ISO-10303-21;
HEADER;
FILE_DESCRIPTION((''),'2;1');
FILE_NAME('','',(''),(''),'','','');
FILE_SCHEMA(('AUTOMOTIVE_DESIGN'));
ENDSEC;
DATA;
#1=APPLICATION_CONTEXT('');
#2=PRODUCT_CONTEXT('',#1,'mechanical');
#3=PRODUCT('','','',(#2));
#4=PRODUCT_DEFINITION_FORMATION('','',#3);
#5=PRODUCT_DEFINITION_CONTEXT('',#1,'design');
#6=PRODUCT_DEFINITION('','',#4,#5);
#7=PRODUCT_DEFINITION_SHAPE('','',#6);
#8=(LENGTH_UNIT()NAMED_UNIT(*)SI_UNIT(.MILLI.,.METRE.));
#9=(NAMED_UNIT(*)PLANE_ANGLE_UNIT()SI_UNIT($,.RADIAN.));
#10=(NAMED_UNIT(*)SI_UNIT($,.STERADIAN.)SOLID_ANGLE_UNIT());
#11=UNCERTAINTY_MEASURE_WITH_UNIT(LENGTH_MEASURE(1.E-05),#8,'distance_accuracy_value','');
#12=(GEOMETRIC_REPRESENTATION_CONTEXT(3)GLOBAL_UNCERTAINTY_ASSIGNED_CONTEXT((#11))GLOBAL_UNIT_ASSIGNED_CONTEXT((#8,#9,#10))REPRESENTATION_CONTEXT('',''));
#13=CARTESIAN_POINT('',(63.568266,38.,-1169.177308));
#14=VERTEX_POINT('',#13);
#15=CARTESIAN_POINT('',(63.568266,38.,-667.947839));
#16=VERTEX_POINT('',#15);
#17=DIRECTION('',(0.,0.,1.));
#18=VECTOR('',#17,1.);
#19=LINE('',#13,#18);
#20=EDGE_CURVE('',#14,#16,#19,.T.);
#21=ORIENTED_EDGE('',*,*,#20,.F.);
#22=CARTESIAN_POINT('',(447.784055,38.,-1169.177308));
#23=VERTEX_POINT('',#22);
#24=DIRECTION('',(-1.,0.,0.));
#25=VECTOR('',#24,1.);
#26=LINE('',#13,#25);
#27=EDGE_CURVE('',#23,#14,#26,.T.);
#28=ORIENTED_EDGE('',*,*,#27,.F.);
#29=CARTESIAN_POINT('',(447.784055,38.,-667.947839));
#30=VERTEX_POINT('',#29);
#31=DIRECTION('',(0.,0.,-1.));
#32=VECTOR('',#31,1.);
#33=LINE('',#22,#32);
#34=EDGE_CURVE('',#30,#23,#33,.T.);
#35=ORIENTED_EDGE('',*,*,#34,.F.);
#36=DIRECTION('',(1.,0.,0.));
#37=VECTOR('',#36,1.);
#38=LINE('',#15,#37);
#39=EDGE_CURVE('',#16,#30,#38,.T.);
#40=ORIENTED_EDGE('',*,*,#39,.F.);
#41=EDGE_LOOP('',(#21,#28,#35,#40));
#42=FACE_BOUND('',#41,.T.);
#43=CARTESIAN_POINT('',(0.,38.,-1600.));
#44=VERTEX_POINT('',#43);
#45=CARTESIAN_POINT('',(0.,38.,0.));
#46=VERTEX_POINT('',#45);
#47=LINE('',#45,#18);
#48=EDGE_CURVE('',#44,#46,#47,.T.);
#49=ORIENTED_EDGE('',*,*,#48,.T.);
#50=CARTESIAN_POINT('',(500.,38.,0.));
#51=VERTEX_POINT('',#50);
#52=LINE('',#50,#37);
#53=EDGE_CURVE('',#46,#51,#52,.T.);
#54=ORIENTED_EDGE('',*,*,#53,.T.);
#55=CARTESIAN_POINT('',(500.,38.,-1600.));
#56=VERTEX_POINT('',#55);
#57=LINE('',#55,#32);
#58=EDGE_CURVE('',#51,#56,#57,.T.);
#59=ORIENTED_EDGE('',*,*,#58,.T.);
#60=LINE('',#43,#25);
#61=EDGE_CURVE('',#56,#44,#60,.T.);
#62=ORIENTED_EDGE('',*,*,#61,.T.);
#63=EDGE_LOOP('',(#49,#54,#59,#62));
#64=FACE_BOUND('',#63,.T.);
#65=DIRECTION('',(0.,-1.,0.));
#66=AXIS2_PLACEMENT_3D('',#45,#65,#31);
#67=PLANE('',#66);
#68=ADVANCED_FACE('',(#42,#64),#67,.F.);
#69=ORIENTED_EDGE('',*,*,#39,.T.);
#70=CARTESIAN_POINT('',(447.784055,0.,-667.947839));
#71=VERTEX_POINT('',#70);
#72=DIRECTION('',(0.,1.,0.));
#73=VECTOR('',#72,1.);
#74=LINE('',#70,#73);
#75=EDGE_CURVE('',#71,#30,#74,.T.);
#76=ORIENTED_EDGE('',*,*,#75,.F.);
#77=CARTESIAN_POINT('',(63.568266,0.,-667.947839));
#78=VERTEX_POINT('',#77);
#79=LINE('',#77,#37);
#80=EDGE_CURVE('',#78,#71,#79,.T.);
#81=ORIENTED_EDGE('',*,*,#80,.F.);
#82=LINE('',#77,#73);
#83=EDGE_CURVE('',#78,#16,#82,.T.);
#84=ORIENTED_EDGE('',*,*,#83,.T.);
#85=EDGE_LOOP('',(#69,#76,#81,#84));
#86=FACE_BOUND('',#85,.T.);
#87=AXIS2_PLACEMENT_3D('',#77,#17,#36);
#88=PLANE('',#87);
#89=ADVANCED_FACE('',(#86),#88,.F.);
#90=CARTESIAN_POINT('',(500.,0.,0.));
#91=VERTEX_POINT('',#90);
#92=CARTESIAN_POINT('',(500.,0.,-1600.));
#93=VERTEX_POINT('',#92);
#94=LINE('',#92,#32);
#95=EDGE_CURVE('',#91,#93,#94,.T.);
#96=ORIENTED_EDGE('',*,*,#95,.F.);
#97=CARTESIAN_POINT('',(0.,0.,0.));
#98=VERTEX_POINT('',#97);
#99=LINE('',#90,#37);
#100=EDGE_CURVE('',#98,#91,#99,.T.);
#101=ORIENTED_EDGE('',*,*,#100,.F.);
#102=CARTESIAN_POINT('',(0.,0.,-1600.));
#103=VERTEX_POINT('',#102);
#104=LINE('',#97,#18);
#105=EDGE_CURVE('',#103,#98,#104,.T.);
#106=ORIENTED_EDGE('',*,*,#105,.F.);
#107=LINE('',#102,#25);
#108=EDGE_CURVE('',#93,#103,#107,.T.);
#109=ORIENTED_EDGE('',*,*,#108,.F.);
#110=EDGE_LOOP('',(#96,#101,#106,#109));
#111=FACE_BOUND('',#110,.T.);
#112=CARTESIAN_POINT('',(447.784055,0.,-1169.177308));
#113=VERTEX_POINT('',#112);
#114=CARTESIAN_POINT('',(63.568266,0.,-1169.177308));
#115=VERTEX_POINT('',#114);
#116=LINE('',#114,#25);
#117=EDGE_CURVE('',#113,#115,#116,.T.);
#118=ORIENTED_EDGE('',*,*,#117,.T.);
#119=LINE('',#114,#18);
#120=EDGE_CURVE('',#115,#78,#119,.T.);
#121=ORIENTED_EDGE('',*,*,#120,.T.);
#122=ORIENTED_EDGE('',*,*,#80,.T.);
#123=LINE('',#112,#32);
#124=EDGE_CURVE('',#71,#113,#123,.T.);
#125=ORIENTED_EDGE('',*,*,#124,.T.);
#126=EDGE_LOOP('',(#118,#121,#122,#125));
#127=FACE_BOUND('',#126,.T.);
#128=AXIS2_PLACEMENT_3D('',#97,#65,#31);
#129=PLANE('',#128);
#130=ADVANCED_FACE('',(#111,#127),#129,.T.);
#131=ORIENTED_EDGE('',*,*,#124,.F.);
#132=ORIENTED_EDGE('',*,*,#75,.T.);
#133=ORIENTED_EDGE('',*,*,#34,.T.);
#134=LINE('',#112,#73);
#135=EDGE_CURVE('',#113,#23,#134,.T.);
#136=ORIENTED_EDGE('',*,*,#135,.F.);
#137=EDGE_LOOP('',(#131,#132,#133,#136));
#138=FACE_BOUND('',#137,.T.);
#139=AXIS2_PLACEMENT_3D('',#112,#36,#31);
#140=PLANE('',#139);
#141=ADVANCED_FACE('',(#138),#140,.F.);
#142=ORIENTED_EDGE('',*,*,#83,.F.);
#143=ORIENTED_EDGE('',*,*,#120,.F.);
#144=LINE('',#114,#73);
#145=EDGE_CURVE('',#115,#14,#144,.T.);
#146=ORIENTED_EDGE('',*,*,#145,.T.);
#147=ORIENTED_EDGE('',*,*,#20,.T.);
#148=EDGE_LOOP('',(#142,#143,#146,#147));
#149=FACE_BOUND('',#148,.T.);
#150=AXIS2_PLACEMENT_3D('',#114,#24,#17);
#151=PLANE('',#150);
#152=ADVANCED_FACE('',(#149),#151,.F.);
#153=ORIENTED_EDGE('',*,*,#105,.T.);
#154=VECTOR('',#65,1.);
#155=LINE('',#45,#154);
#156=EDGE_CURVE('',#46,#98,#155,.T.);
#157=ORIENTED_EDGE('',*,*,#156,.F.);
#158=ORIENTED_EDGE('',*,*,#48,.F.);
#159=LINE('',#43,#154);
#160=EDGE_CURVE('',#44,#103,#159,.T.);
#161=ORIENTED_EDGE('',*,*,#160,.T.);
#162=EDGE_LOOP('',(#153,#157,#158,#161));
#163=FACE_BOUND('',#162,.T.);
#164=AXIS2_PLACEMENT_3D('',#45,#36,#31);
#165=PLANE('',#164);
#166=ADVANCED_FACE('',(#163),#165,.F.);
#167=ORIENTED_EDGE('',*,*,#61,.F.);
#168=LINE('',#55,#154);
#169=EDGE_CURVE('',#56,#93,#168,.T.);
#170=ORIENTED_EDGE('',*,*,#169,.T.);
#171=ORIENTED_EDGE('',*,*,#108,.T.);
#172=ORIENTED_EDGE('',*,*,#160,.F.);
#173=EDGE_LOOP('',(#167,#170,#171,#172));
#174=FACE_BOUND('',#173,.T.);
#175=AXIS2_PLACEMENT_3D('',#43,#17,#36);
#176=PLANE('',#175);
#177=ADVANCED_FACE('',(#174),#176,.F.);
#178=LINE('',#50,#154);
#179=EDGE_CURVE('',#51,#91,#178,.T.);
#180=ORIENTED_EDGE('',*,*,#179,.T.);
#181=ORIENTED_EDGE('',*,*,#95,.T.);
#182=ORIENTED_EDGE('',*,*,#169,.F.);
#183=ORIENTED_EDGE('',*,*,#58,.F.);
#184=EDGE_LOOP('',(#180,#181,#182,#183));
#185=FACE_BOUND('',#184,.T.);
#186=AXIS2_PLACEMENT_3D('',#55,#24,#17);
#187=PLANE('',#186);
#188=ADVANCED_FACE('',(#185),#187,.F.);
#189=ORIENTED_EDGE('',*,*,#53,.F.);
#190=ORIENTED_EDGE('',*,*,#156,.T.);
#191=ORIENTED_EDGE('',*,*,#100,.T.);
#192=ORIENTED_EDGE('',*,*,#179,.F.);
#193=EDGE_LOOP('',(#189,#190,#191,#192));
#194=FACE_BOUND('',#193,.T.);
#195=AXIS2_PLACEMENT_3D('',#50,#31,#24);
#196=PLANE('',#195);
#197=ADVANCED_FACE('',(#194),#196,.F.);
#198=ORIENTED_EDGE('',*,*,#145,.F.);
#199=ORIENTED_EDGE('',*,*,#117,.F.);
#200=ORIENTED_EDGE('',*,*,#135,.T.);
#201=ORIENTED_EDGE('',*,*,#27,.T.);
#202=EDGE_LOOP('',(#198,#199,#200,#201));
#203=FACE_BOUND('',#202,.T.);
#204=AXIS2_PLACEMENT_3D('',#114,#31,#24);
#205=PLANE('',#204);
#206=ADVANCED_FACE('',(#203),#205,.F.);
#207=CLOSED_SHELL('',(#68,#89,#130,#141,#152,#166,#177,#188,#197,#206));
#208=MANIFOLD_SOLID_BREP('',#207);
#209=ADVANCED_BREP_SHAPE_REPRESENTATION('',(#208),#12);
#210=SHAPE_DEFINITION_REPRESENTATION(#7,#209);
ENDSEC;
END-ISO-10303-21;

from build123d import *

# Parameters (mm, degrees)
SKETCH_1_W          = 500
SKETCH_1_H          = 1600
EXTRUDE_1_DEPTH     = 38
SKETCH_2_W          = 384.215788602
SKETCH_2_H          = 501.229468688
CUT_EXTRUDE_1_DEPTH = 39


with BuildPart() as part:
    # Эскиз1 → Бобышка-Вытянуть1 (new body)
    with BuildSketch(Plane(origin=(0, 0, 0), x_dir=(1, 0, 0), z_dir=(0, 1, 0))):
        with Locations((250, 800)):
            Rectangle(SKETCH_1_W, SKETCH_1_H)
    extrude(amount=EXTRUDE_1_DEPTH)

    # Эскиз2 → Вырез-Вытянуть1 (cut, through all)
    with BuildSketch(Plane(origin=(0, 38, 0), x_dir=(1, 0, 0), z_dir=(0, 1, 0))):
        with Locations((255.676160315, 918.562573543)):
            Rectangle(SKETCH_2_W, SKETCH_2_H)
    extrude(amount=-CUT_EXTRUDE_1_DEPTH, mode=Mode.SUBTRACT)


solid = part.part
